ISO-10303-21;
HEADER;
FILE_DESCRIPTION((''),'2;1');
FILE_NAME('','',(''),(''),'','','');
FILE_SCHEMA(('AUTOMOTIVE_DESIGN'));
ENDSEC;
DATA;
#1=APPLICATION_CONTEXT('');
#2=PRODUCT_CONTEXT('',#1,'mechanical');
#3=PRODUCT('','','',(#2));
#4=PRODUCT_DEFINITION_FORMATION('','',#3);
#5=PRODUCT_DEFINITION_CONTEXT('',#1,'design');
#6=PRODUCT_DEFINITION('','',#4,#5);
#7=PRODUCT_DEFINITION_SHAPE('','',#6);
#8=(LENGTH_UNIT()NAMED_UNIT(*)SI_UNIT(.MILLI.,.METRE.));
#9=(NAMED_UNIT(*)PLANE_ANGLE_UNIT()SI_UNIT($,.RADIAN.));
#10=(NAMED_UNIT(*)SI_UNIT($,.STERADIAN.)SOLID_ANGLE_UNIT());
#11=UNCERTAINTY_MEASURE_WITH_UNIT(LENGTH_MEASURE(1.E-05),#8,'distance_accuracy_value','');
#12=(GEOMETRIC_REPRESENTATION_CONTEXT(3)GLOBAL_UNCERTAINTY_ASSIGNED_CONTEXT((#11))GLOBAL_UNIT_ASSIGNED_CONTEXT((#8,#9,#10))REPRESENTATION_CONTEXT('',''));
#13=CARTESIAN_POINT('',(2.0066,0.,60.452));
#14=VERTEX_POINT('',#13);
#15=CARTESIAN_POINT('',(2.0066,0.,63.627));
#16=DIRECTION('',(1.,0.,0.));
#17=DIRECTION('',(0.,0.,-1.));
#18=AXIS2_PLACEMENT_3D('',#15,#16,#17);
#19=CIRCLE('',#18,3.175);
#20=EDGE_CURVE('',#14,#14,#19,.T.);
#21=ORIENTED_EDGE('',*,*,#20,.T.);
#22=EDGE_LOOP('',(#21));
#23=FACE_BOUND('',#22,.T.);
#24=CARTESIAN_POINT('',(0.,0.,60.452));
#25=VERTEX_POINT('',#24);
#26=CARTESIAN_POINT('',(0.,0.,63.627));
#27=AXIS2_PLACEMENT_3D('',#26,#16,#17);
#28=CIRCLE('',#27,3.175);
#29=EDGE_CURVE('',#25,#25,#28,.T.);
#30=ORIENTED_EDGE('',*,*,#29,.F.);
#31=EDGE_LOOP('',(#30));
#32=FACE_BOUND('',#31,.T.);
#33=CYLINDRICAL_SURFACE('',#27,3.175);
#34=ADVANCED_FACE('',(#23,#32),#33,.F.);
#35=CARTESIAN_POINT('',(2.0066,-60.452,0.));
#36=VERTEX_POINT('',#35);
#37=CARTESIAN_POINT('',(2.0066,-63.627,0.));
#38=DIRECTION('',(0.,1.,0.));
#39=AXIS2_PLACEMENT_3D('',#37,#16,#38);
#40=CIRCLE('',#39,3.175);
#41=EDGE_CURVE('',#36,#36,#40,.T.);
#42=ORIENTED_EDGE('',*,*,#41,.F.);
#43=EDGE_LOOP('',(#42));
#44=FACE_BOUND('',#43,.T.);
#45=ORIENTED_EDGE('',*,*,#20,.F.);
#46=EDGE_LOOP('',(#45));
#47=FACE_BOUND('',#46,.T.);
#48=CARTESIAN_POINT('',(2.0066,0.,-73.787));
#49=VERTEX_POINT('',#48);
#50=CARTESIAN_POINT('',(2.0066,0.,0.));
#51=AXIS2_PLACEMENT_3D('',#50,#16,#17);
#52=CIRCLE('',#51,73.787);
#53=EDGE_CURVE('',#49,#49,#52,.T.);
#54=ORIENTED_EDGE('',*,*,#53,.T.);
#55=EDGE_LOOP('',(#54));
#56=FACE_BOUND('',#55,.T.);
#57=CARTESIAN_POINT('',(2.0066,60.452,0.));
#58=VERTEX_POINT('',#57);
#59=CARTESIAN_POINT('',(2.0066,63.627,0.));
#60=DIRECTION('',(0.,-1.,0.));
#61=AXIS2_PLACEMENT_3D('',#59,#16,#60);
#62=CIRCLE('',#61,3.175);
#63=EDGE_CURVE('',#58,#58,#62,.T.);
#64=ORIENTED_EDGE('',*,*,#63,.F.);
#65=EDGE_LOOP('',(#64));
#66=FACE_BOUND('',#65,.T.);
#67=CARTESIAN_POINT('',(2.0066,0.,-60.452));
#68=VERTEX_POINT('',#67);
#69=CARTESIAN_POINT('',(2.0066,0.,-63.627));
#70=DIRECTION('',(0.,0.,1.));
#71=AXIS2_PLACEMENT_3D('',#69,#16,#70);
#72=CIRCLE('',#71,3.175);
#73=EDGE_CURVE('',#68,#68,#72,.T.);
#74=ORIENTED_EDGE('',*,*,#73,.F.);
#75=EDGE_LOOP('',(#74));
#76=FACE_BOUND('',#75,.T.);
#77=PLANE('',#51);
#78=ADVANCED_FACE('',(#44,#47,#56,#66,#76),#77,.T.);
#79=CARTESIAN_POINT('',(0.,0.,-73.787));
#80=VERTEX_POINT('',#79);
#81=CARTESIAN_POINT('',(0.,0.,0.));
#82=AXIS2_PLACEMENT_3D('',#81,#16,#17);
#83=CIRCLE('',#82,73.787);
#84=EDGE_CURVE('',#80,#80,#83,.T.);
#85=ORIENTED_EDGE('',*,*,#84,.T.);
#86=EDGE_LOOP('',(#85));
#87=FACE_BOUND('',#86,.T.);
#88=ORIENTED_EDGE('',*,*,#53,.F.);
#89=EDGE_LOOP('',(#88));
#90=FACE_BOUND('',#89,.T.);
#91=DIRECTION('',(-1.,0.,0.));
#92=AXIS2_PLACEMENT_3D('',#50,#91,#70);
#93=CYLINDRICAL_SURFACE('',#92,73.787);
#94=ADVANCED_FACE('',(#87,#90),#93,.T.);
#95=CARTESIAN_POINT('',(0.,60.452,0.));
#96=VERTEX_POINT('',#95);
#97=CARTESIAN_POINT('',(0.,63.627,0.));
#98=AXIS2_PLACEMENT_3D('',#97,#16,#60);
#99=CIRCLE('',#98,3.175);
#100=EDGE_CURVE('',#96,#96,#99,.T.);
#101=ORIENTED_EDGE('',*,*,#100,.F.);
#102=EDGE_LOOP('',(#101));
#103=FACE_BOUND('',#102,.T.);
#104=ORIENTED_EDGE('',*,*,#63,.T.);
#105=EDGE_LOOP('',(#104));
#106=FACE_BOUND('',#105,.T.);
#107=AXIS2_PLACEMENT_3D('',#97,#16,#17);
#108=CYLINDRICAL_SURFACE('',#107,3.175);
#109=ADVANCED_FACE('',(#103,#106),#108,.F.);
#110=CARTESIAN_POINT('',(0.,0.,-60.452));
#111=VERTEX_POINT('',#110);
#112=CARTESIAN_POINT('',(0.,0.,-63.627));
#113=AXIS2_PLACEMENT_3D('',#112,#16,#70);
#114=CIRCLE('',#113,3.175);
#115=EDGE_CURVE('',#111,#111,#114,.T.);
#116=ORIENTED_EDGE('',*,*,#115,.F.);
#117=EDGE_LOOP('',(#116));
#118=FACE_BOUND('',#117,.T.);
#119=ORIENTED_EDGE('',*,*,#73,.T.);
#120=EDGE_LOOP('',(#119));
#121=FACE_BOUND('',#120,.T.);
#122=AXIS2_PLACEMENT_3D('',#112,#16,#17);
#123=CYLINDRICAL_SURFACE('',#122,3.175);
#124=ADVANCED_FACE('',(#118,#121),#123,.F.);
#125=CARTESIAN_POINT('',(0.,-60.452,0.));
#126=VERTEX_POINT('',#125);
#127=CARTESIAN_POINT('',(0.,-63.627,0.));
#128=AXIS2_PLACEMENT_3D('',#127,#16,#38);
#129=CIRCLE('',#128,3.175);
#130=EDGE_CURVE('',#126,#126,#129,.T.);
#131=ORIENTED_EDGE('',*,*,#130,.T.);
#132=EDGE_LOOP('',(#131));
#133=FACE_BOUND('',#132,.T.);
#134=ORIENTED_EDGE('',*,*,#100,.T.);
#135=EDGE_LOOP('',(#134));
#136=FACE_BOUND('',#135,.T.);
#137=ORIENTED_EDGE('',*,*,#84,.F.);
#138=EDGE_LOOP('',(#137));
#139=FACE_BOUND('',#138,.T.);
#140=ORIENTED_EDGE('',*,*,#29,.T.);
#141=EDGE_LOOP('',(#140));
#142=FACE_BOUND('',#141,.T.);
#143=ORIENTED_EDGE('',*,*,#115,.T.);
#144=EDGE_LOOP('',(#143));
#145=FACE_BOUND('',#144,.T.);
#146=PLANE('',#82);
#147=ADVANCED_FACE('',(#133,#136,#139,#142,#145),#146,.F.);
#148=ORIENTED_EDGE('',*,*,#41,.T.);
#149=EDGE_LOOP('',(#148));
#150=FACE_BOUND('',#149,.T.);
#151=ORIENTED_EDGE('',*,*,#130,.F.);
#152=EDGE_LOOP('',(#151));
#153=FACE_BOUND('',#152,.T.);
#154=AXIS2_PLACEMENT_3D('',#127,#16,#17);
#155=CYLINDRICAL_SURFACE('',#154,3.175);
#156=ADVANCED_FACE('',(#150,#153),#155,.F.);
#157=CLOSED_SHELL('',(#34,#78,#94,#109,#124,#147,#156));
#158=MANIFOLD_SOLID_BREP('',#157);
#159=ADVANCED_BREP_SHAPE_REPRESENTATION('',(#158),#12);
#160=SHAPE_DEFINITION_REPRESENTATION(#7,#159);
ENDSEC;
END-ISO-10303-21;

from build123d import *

# Parameters (mm, degrees)
SKETCH1_R           = 73.787
BOSS_EXTRUDE1_DEPTH = 2.0066
SKETCH2_R           = 3.175
CUT_EXTRUDE1_DEPTH  = 105.369867211
CIRPATTERN1_COUNT   = 4


with BuildPart() as part:
    # Sketch1 → Boss-Extrude1 (new body)
    with BuildSketch(Plane.YZ):
        with Locations(Location((0, 0, 0), (0, 0, 270))):
            Circle(SKETCH1_R)
    extrude(amount=BOSS_EXTRUDE1_DEPTH)

    # Sketch2 → Cut-Extrude1 (cut, through all)
    with BuildSketch(Plane(origin=(2.0066, 0, 0), x_dir=(0, 0, -1), z_dir=(1, 0, 0))):
        with Locations((-63.627, 0)):
            Circle(SKETCH2_R)
    cut_extrude1 = extrude(amount=-CUT_EXTRUDE1_DEPTH, mode=Mode.SUBTRACT)

    # CirPattern1: Cut-Extrude1 ×4 about axis
    cirpattern1_axis = Axis((0, 0, 0), (1, 0, 0))
    for i in range(1, CIRPATTERN1_COUNT):
        add(cut_extrude1.rotate(cirpattern1_axis, i * 360 / CIRPATTERN1_COUNT), mode=Mode.SUBTRACT)


solid = part.part
